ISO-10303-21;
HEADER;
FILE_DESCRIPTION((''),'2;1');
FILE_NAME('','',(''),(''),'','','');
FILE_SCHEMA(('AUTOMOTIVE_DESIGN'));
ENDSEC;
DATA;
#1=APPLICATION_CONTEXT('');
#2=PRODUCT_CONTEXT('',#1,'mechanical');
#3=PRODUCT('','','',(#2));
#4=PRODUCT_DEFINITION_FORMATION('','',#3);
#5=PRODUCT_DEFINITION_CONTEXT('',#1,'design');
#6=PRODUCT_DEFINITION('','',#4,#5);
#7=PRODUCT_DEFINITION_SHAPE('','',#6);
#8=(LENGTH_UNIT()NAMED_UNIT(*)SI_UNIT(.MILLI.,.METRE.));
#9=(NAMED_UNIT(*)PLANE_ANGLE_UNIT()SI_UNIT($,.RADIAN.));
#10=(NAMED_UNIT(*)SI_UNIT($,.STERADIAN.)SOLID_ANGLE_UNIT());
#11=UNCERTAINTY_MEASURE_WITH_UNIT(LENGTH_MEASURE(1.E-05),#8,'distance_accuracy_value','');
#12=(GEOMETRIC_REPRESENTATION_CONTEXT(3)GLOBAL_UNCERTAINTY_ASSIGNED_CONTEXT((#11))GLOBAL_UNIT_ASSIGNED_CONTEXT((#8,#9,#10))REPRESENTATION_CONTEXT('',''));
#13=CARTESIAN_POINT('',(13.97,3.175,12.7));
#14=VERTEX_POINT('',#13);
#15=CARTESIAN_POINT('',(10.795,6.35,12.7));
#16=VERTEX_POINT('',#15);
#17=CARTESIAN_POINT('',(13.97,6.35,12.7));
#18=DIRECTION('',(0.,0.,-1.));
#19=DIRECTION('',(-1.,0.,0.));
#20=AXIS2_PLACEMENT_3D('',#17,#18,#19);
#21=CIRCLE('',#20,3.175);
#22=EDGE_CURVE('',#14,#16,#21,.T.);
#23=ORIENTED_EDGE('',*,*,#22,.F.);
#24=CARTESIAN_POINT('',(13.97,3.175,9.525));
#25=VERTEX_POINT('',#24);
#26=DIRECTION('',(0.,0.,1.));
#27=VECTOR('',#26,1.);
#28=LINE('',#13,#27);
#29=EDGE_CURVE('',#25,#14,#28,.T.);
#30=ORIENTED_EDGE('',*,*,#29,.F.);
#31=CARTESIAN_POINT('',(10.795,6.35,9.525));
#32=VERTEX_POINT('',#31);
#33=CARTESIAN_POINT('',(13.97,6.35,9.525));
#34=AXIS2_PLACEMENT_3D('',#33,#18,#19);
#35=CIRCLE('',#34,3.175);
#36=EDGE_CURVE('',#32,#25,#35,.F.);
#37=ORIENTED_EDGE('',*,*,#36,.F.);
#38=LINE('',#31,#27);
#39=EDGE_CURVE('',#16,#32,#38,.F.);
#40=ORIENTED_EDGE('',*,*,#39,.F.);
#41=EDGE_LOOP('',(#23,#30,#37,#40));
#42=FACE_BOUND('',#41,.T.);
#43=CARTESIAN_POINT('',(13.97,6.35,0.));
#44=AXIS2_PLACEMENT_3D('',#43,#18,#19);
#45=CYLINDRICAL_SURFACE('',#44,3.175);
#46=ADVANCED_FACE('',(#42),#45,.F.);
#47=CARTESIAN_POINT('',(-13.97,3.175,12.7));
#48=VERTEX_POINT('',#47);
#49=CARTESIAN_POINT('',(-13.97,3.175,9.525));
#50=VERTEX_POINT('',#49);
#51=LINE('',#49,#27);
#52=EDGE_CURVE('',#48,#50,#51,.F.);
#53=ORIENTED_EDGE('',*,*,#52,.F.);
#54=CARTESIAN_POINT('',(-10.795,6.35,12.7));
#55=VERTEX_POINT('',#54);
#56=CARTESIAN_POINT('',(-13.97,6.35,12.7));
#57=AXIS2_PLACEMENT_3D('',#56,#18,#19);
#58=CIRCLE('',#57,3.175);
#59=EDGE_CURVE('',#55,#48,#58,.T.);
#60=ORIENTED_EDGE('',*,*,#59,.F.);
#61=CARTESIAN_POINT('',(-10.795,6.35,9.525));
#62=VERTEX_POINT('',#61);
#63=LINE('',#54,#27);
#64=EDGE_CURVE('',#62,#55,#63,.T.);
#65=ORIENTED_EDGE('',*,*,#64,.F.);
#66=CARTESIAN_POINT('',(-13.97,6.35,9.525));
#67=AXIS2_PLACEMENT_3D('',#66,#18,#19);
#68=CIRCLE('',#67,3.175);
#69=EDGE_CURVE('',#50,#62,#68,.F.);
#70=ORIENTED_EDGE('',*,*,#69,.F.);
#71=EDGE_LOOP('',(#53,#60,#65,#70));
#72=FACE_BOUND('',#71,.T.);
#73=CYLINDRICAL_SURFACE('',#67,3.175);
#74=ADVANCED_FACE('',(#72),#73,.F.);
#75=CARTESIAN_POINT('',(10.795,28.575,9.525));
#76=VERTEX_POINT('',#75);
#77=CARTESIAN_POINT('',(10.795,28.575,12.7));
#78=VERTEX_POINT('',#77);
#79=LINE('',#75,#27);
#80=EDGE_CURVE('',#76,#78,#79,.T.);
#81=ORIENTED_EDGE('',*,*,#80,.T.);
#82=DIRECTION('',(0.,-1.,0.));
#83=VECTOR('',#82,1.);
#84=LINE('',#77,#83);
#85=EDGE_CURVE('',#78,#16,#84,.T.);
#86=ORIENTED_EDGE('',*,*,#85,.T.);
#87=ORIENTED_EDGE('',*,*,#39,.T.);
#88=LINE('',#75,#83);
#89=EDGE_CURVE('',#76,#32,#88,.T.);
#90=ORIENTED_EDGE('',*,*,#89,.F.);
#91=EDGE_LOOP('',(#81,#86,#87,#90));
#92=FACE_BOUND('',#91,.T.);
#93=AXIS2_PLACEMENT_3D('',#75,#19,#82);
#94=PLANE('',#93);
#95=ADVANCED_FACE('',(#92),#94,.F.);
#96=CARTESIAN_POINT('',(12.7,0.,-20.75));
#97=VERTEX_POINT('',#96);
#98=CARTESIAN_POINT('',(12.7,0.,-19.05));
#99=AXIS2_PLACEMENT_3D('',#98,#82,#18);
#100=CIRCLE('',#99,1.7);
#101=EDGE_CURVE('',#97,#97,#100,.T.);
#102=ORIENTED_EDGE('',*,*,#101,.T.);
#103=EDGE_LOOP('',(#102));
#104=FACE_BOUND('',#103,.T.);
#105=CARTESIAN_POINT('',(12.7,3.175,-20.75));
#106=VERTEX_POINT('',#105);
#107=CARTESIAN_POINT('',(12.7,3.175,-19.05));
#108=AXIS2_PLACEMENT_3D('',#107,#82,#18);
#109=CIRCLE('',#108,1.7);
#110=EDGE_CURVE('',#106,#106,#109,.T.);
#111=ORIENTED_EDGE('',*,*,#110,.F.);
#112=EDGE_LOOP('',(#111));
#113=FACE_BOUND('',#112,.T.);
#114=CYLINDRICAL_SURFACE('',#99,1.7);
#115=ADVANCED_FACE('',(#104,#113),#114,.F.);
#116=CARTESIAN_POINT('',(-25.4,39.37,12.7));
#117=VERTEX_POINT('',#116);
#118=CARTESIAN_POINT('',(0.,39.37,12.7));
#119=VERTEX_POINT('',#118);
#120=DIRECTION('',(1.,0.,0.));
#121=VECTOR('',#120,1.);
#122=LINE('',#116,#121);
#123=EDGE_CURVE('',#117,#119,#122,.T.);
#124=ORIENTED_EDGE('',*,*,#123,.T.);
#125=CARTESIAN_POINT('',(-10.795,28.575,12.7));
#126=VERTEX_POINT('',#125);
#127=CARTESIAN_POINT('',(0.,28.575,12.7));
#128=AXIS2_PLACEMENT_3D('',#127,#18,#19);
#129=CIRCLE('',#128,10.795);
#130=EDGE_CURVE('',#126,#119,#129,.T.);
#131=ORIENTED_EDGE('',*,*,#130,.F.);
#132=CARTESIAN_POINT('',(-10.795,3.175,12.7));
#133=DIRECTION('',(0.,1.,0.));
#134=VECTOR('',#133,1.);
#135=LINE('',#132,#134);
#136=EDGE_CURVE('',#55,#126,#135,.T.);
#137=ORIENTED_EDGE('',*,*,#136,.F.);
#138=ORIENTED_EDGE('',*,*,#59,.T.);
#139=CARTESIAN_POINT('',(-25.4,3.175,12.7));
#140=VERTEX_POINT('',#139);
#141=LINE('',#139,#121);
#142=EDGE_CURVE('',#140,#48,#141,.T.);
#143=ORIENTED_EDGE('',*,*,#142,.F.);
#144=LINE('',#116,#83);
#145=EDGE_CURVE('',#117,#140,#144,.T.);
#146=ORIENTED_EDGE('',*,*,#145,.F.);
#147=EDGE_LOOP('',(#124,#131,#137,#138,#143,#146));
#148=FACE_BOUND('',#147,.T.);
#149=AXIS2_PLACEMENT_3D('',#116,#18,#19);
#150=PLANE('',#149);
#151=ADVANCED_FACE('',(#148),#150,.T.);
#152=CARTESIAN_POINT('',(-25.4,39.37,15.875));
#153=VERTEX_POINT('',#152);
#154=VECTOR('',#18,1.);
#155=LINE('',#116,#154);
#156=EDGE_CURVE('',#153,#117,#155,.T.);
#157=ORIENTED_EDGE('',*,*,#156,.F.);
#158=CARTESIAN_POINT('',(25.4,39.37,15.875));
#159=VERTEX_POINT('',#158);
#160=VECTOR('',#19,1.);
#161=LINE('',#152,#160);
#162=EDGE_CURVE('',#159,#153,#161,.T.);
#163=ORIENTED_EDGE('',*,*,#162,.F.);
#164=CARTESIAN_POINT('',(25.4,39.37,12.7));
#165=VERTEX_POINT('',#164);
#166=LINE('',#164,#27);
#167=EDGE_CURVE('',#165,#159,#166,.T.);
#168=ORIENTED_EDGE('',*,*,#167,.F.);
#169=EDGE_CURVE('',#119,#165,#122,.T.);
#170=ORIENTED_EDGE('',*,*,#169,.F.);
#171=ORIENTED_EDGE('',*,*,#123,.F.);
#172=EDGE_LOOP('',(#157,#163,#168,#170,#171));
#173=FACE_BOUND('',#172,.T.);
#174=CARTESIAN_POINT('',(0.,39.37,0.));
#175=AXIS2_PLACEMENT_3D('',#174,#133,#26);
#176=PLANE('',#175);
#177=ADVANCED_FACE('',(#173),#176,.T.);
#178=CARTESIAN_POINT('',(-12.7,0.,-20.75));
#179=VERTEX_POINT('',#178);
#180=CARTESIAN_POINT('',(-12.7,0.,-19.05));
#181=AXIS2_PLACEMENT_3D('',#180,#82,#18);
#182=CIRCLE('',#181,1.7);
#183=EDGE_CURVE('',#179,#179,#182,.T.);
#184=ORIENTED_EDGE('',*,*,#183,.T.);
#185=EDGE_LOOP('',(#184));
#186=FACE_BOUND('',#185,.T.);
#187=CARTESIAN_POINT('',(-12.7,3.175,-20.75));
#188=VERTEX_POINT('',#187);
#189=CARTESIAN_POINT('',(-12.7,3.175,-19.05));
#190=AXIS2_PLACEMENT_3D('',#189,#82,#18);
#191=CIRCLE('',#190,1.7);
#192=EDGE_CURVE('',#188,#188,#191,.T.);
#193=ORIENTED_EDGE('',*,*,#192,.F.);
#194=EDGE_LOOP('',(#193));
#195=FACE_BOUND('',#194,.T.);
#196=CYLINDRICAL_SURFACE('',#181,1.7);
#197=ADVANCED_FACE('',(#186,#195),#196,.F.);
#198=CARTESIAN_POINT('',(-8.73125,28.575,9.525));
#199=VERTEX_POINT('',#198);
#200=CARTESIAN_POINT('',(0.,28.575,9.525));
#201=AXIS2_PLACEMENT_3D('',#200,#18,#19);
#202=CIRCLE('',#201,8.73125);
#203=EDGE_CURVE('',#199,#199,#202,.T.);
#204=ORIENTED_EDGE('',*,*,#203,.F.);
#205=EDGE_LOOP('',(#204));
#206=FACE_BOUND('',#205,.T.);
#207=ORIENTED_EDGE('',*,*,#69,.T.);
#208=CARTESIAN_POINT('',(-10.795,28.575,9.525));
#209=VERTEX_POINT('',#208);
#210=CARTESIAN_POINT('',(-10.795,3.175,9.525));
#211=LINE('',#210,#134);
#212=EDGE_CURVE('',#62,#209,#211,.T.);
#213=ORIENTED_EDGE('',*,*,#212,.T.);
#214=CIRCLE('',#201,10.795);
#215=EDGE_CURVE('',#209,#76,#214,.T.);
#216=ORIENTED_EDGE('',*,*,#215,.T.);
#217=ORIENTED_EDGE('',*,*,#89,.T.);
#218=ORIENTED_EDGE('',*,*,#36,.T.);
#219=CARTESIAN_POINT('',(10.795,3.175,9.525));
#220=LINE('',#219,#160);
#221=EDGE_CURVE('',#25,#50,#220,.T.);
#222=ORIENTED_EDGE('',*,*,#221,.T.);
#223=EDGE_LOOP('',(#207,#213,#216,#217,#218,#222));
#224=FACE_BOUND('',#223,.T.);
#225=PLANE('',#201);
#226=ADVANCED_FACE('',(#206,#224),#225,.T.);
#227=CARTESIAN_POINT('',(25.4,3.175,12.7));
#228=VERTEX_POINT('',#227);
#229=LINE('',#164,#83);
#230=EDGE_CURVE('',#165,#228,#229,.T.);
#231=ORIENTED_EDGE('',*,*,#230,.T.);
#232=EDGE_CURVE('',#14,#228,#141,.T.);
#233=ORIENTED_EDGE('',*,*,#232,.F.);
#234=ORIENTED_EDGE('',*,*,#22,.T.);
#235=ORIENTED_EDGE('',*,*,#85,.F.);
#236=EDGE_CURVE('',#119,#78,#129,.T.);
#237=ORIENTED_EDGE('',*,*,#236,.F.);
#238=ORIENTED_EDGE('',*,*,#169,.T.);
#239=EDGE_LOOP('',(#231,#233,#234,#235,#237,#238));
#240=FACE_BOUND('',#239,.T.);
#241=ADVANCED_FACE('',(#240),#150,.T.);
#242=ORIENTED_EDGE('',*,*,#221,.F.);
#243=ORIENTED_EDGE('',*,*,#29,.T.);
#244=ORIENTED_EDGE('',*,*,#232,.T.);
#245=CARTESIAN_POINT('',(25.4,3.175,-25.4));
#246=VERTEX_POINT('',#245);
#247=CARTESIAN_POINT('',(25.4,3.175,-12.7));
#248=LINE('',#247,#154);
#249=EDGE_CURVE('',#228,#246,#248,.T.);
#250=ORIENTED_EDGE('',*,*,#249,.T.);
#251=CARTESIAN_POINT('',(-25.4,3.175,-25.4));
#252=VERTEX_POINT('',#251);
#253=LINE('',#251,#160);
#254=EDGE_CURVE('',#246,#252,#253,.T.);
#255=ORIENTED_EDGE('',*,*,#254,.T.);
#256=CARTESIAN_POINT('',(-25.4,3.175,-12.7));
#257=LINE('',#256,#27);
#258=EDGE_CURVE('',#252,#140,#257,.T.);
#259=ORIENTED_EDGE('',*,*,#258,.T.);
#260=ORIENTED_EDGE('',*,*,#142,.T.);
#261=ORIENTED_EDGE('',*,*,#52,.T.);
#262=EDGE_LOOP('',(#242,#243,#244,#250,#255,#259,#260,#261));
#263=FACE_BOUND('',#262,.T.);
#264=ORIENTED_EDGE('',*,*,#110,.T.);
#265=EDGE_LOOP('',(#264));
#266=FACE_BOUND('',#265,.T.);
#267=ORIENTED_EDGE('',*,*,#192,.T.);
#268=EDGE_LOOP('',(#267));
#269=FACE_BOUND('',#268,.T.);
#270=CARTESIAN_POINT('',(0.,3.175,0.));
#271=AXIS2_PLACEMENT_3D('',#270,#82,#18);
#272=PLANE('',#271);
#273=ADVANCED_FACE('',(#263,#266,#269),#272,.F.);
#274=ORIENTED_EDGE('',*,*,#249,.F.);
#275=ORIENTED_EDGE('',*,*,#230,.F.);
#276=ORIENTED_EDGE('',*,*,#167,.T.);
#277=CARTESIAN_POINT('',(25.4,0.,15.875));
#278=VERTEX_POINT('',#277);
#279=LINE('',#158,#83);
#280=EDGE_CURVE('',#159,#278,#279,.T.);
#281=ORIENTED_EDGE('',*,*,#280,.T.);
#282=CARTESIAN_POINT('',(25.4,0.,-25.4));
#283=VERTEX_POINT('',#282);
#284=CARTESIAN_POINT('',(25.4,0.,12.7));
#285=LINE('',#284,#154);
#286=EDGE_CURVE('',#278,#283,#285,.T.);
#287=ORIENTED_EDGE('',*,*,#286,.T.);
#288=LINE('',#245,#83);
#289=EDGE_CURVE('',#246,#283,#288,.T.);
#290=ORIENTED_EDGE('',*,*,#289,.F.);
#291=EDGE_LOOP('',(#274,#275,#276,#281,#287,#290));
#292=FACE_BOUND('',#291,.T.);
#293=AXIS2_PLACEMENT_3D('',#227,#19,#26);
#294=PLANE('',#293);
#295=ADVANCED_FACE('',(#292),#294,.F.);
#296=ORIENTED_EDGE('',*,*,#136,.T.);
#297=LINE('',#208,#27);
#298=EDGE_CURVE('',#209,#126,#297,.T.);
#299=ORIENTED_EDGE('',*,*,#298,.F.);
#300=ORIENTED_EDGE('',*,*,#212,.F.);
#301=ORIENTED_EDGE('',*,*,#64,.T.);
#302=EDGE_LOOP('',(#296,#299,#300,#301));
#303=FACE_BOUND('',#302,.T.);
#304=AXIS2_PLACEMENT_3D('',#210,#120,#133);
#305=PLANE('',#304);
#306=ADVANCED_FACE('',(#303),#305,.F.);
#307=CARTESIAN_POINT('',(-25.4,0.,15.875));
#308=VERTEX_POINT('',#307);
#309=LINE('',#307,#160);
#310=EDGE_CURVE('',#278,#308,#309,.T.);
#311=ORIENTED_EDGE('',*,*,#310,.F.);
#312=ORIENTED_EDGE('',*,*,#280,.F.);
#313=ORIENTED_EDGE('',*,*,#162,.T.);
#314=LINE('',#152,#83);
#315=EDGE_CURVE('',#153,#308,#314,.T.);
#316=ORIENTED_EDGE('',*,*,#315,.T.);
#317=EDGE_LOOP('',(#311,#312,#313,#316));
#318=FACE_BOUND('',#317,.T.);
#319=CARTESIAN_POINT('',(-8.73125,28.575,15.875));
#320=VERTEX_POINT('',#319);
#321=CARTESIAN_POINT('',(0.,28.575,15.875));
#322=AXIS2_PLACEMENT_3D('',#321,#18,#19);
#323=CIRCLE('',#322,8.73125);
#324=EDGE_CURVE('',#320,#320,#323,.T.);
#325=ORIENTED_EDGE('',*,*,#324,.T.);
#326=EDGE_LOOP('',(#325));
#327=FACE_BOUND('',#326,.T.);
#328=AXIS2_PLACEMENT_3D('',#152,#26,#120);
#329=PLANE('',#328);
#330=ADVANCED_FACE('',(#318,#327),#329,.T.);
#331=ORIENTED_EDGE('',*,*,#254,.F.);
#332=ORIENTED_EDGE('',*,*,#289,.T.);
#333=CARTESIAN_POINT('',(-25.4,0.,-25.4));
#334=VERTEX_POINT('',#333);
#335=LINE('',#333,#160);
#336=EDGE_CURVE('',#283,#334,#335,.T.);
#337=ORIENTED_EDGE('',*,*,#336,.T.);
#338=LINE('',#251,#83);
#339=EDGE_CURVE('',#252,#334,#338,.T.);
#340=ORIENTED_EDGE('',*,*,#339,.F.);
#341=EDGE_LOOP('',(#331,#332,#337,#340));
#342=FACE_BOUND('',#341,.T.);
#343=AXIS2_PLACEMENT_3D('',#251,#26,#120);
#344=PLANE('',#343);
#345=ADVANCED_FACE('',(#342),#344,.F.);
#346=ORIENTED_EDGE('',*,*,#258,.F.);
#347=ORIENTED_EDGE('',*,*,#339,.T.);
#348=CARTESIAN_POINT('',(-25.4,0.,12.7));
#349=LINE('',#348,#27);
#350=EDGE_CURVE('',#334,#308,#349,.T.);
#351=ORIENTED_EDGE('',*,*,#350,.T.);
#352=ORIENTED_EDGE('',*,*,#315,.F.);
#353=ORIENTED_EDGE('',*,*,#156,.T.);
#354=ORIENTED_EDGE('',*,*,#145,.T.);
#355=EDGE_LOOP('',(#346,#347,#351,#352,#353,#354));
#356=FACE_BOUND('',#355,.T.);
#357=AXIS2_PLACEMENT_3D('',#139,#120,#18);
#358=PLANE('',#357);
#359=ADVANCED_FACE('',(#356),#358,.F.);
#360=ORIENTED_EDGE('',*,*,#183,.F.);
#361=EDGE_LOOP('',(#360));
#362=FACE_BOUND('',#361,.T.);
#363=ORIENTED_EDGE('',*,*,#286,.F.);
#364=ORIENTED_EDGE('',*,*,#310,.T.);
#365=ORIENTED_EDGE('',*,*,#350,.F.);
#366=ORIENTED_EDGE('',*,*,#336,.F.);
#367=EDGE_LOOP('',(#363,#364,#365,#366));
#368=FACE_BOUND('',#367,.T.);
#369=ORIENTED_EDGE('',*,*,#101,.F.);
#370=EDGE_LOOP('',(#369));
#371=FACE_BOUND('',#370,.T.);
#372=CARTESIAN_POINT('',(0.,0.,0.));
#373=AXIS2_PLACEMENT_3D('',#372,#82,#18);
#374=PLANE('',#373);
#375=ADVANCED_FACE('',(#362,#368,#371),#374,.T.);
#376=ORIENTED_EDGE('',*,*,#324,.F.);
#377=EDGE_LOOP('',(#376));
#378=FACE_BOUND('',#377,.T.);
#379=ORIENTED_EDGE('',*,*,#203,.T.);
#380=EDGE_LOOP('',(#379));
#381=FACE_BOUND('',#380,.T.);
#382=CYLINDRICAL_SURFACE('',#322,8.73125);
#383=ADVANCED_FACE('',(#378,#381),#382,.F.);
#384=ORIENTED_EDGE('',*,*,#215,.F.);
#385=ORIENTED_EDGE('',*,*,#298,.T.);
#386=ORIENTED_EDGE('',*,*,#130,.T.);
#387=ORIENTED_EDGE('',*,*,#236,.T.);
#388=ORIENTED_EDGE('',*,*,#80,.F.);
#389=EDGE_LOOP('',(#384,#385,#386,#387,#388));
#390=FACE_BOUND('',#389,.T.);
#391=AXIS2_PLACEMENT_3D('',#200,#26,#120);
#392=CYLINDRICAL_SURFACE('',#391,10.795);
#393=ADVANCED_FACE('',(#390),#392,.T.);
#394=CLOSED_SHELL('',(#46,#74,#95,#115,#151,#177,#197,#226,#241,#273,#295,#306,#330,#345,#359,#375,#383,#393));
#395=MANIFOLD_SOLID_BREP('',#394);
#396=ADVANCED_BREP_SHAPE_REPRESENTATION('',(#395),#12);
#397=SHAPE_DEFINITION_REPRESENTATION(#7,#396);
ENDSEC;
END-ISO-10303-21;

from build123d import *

# Parameters (mm, degrees)
BOSS_EXTRUDE1_DEPTH  = 3.175
M3_CLEARANCE_HOLE1_D = 3.4
SKETCH7_W            = 50.8
SKETCH7_H            = 3.175
BOSS_EXTRUDE3_DEPTH  = 39.37
BOSS_EXTRUDE4_DEPTH  = 3.175
SKETCH9_R            = 8.73125
CUT_EXTRUDE1_DEPTH   = 7.35
FILLET1_R            = 3.175


with BuildPart() as part:
    # Sketch2 → Boss-Extrude1 (new body)
    with BuildSketch(Plane(origin=(0, 0, 0), x_dir=(1, 0, 0), z_dir=(0, 1, 0))):
        Polygon((-25.4, -12.7), (25.4, -12.7), (25.4, 12.7), (25.4, 25.4), (-25.4, 25.4), (-25.4, 12.7), align=None)
    extrude(amount=BOSS_EXTRUDE1_DEPTH)

    # M3 Clearance Hole1 (through all)
    with Locations(Plane(origin=(-12.7, 0, -19.05), x_dir=(0, 0, -1), z_dir=(0, -1, 0))):
        with Locations((0, 0), (0, 25.4)):
            Hole(M3_CLEARANCE_HOLE1_D / 2)

    # Sketch7 → Boss-Extrude3 (add)
    with BuildSketch(Plane.XZ):
        with Locations((0, 14.2875)):
            Rectangle(SKETCH7_W, SKETCH7_H)
    extrude(amount=-BOSS_EXTRUDE3_DEPTH)

    # Sketch8 → Boss-Extrude4 (add)
    with BuildSketch(Plane(origin=(0, 0, 12.7), x_dir=(-1, 0, 0), z_dir=(0, 0, -1))):
        with BuildLine():
            Line((-10.795, 28.575), (-10.795, 3.175))
            Line((-10.795, 3.175), (10.795, 3.175))
            Line((10.795, 3.175), (10.795, 28.575))
            ThreePointArc((10.795, 28.575), (0, 39.37), (-10.795, 28.575))
        make_face()
    extrude(amount=BOSS_EXTRUDE4_DEPTH)

    # Sketch9 → Cut-Extrude1 (cut, through all)
    with BuildSketch(Plane(origin=(0, 0, 9.525), x_dir=(-1, 0, 0), z_dir=(0, 0, -1))):
        with Locations((0, 28.575)):
            Circle(SKETCH9_R)
    extrude(amount=-CUT_EXTRUDE1_DEPTH, mode=Mode.SUBTRACT)

    # Fillet1
    fillet1_edges = [part.edges().sort_by_distance(p)[0] for p in [
        (10.795, 3.175, 11.1125),
        (-10.795, 3.175, 11.1125),
    ]]
    fillet(fillet1_edges, radius=FILLET1_R)


solid = part.part
